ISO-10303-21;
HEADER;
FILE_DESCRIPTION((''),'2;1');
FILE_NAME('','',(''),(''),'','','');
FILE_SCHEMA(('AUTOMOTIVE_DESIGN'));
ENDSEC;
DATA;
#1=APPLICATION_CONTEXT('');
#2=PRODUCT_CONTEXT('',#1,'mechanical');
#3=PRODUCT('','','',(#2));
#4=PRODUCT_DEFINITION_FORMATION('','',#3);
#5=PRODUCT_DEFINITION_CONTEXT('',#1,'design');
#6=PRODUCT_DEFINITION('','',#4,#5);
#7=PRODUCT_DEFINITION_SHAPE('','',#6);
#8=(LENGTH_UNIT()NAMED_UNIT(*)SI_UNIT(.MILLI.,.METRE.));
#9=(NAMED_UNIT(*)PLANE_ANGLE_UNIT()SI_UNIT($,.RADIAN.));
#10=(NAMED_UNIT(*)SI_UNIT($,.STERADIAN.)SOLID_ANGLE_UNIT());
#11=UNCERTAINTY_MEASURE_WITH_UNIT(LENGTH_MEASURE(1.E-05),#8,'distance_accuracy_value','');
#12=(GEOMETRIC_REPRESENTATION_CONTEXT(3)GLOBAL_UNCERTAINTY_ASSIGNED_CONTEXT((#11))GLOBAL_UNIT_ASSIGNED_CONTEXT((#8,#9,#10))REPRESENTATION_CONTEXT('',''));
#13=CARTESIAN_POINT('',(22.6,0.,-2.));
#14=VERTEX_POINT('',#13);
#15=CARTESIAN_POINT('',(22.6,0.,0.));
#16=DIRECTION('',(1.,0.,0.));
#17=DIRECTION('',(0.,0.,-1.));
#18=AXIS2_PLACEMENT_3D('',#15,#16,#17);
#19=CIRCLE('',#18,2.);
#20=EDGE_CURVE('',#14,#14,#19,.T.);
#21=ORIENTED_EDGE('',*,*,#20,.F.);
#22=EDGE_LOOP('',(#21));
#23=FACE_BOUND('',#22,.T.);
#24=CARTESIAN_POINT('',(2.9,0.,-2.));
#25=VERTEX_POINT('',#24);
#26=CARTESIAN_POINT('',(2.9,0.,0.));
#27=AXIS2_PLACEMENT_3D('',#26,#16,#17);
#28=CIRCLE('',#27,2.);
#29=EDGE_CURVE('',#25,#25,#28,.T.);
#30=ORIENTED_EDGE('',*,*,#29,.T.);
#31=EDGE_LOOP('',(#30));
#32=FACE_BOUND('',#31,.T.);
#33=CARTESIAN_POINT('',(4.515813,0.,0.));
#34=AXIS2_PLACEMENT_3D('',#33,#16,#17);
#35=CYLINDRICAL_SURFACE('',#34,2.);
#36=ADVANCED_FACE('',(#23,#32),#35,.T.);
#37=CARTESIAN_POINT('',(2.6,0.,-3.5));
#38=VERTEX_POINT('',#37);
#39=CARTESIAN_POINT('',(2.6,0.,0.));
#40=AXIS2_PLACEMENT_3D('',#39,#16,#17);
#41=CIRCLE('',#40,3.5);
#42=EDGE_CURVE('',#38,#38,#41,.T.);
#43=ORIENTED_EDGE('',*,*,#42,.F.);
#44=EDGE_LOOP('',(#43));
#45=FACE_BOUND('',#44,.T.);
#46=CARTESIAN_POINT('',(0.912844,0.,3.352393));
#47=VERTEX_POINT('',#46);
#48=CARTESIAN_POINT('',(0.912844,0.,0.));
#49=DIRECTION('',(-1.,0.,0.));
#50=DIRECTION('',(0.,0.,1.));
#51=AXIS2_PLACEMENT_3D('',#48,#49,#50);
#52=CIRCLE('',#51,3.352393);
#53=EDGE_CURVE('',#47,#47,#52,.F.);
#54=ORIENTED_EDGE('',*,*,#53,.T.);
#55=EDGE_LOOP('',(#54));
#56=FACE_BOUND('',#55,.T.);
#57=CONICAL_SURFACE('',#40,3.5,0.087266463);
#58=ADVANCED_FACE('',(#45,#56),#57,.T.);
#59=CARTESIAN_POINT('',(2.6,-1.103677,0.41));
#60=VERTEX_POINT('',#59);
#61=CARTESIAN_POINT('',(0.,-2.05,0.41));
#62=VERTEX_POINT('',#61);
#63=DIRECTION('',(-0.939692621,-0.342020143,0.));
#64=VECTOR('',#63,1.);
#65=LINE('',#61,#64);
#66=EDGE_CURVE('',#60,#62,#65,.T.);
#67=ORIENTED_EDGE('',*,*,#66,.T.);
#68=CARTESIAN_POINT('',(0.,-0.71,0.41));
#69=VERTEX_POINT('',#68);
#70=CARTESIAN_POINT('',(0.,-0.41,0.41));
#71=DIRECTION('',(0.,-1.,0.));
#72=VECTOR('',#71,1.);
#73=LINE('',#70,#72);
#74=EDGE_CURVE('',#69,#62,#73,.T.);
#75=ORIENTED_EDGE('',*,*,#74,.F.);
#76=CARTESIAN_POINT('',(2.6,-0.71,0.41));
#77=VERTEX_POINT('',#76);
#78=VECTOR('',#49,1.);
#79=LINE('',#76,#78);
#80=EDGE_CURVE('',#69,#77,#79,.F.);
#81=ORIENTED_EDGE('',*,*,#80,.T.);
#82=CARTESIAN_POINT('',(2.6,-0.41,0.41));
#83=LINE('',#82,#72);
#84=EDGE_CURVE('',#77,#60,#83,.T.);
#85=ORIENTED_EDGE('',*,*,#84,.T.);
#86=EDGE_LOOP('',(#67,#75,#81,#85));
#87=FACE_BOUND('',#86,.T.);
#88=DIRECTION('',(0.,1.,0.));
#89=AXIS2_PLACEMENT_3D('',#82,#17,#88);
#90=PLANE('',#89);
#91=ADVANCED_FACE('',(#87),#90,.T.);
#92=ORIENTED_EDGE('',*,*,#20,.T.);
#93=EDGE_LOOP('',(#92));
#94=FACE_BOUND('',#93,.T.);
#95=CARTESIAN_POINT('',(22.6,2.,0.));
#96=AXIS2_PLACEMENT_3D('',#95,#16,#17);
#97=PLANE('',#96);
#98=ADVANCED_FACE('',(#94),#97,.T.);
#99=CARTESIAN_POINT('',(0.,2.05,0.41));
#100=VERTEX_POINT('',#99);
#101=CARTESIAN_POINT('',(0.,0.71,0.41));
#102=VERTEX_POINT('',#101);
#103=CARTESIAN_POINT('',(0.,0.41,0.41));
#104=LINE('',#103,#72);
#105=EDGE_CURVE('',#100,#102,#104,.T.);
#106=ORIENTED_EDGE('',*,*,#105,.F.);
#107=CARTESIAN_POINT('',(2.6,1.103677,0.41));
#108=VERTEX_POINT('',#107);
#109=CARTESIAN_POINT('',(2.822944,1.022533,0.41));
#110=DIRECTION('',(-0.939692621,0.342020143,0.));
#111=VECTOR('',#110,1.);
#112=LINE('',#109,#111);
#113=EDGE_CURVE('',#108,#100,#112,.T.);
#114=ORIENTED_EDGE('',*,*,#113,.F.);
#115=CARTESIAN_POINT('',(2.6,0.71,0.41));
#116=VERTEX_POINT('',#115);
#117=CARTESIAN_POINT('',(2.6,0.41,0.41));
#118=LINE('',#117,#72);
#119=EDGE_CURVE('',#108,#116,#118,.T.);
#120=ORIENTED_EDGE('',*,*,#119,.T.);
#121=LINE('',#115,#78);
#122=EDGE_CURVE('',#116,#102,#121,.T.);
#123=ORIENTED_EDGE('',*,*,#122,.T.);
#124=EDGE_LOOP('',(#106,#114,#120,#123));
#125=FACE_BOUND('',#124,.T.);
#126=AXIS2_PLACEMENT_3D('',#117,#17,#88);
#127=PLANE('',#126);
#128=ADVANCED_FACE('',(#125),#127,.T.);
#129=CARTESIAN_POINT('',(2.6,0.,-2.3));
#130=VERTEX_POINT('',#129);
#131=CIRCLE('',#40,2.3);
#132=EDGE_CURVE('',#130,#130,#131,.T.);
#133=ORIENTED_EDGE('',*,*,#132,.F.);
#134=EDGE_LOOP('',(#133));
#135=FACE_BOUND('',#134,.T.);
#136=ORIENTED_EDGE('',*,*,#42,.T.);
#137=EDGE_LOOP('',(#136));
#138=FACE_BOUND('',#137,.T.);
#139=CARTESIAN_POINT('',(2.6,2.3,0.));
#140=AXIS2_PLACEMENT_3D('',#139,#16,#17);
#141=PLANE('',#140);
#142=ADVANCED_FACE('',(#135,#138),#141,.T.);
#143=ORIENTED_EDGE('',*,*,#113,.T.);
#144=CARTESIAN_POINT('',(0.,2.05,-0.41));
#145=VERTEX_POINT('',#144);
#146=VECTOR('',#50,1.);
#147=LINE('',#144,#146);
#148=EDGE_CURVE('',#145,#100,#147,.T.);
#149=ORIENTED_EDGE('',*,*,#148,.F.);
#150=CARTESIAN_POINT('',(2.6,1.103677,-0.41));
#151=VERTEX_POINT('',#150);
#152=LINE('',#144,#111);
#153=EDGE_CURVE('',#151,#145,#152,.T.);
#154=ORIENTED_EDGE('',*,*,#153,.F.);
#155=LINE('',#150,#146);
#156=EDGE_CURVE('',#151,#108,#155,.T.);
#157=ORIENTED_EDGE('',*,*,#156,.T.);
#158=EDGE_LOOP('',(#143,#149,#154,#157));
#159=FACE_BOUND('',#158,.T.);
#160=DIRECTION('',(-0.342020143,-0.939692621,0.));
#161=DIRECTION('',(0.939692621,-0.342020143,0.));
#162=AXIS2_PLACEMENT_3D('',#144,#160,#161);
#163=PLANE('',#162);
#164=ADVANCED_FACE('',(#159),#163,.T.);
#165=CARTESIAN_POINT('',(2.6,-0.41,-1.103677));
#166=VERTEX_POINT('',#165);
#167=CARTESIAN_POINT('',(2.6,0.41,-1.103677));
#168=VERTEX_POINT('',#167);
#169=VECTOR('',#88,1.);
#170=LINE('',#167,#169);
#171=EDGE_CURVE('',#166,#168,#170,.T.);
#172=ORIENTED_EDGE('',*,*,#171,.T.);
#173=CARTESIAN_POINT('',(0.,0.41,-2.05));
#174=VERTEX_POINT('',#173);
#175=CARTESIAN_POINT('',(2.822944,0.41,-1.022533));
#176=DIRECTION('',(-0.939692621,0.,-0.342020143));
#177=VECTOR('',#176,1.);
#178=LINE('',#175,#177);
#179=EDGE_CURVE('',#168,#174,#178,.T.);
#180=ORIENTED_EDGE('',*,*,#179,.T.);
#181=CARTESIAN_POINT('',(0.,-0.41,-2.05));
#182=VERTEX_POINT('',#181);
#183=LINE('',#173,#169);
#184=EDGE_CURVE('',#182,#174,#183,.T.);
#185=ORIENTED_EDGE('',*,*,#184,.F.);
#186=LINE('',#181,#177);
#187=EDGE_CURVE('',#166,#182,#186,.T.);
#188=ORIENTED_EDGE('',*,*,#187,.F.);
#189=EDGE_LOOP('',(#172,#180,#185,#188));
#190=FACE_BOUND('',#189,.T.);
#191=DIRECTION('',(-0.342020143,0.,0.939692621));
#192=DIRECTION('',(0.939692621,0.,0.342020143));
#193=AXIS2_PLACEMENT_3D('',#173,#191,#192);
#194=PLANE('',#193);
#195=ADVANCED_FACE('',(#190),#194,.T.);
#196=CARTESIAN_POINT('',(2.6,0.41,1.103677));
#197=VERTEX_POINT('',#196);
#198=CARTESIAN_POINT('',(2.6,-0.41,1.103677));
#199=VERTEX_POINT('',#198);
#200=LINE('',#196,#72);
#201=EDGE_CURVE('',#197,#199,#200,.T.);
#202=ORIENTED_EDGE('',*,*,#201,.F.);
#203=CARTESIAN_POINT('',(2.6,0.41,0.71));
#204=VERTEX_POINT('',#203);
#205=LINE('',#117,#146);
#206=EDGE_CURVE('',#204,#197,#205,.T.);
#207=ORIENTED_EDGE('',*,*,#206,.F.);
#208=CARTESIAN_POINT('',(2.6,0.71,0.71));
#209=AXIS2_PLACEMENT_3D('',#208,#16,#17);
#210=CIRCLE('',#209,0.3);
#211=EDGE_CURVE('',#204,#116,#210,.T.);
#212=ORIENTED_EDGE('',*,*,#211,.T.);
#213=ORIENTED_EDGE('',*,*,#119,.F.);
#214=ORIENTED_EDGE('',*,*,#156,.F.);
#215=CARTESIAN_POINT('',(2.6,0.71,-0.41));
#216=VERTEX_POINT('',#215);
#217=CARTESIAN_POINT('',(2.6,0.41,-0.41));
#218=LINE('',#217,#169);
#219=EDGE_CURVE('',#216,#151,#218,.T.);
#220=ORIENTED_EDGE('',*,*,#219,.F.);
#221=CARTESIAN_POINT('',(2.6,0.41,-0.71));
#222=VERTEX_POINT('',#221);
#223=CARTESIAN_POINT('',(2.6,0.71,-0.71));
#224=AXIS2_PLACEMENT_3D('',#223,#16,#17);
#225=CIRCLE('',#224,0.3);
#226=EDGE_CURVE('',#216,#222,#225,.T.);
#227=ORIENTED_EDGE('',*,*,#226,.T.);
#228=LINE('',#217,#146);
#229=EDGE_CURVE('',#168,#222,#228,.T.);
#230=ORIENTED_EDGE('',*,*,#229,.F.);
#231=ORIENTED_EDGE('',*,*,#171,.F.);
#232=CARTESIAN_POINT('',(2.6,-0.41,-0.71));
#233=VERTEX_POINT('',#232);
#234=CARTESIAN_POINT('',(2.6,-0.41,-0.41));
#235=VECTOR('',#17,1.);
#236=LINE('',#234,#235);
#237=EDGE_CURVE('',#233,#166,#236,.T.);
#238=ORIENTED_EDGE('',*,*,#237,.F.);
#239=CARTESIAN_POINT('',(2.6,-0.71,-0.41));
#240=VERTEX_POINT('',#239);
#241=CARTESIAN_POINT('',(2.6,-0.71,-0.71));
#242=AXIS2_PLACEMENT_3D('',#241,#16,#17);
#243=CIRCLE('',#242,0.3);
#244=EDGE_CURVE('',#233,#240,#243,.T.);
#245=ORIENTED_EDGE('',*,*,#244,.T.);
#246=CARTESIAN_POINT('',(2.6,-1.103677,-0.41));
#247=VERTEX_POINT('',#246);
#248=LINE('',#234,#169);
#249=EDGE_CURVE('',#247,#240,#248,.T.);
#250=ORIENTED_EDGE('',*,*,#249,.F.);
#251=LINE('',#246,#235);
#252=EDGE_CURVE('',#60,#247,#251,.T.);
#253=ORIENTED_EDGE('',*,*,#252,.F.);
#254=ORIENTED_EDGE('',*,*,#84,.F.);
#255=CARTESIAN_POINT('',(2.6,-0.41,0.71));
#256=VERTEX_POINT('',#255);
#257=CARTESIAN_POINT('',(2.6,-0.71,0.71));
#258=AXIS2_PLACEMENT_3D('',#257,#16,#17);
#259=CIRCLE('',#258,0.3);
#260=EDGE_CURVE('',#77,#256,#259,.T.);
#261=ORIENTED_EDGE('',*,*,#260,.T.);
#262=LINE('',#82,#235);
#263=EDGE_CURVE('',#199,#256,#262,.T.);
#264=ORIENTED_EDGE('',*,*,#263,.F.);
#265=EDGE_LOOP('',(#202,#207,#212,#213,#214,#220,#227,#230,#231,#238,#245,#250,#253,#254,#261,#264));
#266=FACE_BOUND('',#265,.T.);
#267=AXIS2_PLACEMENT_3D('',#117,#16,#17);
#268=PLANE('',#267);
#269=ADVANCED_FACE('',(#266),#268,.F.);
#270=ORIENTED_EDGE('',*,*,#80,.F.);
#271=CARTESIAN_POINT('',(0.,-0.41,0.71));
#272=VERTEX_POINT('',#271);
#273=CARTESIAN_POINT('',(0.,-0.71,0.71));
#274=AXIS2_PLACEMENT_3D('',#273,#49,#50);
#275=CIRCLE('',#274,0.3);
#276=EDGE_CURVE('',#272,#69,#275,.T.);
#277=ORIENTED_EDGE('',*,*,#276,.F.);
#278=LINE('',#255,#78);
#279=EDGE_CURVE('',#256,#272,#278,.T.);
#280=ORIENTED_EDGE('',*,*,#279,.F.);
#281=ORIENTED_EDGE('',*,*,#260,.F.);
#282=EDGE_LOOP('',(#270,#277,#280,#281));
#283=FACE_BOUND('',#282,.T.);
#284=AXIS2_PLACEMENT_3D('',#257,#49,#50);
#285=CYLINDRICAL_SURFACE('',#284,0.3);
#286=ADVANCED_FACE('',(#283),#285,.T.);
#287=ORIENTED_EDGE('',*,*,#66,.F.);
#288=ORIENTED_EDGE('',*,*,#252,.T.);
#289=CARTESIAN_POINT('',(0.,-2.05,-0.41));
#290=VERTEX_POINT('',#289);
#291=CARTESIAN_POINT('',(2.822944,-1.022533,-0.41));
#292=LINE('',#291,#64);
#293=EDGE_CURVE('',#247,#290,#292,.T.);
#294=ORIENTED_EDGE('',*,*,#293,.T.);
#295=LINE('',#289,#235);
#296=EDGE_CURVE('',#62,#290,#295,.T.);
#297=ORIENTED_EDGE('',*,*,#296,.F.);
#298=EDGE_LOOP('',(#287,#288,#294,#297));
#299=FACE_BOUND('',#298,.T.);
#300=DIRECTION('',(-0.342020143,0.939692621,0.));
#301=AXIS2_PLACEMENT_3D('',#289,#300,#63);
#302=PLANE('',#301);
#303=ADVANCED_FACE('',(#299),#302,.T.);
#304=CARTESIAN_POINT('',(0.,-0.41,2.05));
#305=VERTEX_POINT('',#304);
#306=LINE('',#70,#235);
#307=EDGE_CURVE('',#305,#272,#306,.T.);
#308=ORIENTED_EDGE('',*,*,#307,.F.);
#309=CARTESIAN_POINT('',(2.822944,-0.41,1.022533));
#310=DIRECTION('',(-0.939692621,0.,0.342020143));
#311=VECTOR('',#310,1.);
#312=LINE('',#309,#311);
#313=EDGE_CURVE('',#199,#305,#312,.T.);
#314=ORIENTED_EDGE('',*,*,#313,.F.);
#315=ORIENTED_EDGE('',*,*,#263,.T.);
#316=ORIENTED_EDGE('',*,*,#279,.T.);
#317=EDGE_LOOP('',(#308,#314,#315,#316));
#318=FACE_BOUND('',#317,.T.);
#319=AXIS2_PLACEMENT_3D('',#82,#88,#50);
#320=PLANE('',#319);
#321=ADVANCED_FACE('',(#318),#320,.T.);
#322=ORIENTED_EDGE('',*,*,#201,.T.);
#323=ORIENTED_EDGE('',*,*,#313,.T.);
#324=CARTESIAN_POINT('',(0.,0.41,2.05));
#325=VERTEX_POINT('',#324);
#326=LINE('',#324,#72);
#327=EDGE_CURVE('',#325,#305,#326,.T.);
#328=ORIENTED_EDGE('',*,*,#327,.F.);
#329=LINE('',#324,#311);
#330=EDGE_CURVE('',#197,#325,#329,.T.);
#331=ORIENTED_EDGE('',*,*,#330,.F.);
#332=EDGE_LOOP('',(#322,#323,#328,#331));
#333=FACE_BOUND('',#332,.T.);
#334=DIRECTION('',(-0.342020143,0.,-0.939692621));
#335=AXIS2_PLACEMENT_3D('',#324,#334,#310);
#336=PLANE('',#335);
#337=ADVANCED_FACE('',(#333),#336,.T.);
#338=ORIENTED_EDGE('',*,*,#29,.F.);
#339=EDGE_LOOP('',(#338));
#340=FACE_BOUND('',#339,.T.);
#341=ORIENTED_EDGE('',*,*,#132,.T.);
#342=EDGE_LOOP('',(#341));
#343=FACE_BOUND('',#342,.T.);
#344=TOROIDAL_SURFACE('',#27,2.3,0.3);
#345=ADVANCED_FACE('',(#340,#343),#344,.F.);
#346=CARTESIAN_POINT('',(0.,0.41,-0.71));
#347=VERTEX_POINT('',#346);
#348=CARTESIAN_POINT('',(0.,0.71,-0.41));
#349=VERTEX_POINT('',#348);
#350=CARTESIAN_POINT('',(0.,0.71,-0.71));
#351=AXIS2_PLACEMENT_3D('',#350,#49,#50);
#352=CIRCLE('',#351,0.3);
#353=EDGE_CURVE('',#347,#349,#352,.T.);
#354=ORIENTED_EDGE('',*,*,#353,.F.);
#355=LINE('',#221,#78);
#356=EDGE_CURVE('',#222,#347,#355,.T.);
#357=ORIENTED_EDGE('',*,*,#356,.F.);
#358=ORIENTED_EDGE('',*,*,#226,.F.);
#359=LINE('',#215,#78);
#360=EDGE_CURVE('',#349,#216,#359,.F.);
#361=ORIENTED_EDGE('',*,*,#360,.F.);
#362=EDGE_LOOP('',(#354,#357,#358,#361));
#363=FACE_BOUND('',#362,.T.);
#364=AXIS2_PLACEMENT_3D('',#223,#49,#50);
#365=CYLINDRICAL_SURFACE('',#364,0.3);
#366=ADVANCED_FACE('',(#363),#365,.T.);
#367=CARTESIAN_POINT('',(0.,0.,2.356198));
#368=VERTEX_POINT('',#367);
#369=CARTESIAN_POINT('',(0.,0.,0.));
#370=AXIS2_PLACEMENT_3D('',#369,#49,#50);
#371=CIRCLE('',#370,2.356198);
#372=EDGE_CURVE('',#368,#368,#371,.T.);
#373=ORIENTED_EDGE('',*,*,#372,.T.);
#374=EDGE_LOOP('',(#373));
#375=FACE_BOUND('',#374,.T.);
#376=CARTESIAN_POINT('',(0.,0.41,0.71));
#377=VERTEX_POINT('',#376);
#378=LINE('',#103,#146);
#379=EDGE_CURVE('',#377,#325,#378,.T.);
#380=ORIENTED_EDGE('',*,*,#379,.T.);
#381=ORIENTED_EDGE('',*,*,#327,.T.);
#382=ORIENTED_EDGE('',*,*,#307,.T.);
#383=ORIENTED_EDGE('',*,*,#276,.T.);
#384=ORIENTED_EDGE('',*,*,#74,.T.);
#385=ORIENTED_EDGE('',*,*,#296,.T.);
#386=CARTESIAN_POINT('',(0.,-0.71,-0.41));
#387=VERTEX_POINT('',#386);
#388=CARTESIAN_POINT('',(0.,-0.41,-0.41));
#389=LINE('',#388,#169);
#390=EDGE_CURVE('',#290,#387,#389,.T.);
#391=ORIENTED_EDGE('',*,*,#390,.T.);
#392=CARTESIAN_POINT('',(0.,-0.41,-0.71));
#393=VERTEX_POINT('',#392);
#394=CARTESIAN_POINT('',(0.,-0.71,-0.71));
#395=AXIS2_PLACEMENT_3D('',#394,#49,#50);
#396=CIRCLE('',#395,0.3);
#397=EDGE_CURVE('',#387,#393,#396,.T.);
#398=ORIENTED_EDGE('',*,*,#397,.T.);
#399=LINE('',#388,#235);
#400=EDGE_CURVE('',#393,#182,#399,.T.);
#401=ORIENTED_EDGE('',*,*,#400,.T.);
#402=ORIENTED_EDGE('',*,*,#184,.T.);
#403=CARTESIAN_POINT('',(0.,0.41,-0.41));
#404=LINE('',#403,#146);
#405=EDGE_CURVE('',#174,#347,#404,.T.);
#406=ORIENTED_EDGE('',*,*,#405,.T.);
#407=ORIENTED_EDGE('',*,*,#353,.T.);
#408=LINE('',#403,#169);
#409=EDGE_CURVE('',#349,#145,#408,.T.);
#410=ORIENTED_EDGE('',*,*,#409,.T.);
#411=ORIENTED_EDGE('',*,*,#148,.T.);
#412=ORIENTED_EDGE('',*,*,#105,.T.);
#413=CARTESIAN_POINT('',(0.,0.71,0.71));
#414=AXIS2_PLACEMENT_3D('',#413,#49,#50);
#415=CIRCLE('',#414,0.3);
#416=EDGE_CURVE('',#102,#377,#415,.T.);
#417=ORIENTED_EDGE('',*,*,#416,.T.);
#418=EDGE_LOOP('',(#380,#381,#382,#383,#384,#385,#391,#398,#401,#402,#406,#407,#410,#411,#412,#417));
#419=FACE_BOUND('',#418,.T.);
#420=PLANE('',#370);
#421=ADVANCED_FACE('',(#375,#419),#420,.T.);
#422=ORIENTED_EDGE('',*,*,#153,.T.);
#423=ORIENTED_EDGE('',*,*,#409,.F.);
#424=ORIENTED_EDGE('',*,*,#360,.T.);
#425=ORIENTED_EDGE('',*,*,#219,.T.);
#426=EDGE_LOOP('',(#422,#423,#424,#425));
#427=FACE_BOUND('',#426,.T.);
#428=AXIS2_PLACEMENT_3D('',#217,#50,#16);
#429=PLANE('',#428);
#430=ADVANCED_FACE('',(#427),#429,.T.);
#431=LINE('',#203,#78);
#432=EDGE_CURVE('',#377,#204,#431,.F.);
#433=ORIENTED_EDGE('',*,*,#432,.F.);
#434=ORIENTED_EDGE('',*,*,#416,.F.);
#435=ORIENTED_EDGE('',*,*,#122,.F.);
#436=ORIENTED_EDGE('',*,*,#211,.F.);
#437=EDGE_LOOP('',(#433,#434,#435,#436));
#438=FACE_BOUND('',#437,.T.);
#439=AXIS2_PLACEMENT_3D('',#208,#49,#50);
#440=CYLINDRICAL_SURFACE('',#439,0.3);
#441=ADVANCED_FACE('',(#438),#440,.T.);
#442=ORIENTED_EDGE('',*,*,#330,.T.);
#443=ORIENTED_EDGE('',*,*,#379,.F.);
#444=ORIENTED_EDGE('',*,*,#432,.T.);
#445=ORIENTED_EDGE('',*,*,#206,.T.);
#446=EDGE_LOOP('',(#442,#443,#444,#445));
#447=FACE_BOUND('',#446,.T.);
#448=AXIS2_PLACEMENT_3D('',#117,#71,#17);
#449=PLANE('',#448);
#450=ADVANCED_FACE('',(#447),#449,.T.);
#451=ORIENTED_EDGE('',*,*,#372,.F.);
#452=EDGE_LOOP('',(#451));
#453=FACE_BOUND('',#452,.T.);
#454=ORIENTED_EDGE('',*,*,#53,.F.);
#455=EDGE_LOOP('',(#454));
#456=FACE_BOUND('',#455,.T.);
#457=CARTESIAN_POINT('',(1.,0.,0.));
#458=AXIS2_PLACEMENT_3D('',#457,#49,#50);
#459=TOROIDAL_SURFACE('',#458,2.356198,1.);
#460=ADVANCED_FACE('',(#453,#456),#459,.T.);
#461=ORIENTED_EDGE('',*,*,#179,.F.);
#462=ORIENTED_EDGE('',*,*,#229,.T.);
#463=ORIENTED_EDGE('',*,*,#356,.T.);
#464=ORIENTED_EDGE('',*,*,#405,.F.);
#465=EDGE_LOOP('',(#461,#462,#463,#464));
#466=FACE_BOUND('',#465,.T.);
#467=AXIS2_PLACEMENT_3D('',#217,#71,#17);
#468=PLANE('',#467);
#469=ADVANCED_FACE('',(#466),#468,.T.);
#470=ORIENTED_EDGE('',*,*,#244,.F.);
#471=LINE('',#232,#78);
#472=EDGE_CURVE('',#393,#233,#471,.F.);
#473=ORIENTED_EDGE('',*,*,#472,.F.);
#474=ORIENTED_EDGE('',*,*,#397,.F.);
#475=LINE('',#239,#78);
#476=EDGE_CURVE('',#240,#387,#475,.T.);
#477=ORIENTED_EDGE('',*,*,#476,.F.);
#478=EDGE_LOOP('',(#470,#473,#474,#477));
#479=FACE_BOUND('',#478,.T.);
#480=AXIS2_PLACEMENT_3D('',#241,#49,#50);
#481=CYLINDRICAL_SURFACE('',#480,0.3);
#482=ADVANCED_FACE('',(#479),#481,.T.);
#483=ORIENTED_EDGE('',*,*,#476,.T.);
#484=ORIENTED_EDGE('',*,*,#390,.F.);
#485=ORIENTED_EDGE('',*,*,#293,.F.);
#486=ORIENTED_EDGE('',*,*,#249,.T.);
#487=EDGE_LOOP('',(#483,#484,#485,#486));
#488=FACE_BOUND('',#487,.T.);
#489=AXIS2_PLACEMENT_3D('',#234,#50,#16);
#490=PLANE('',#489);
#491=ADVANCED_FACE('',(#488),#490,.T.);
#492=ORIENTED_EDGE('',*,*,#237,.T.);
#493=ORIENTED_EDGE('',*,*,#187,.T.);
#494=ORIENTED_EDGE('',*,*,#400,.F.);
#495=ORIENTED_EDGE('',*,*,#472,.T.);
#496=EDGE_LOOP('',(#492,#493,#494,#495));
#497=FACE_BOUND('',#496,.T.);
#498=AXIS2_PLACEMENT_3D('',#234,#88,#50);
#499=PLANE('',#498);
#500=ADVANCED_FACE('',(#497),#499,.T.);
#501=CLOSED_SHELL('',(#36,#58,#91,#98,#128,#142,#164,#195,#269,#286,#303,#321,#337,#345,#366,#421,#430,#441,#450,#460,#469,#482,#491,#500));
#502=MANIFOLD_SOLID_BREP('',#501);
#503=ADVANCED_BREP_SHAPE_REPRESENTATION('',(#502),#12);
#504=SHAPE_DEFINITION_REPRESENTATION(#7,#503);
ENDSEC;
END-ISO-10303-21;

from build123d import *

# Parameters (mm, degrees)
CROSSRECESS_DEPTH = 2.6
FILLET5_R         = 0.3
HEADFILLET_R      = 1
DRAFT1_ANGLE      = 20


with BuildPart() as part:
    # Sketch1 → Base (revolve)
    with BuildSketch(Plane.XY):
        with BuildLine():
            Line((22.6, 2), (4, 2))
            Line((4, 2), (2.9, 2))
            ThreePointArc((2.9, 2), (2.687867966, 2.087867966), (2.6, 2.3))
            Line((2.6, 2.3), (2.6, 3.5))
            Line((2.6, 3.5), (0, 3.272529475))
            Line((0, 3.272529475), (0, 0))
            Line((0, 0), (22.6, 0))
            Line((22.6, 0), (22.6, 2))
        make_face()
    revolve(axis=Axis((4.515812911, 0, 0), (-1, 0, 0)))

    # Sketch6 → CrossRecess (cut)
    with BuildSketch(Plane(origin=(0, 0, 0), x_dir=(0, 0, -1), z_dir=(1, 0, 0))):
        Polygon((0.41, 0.41), (0.41, 2.05), (-0.41, 2.05), (-0.41, 0.41), (-2.05, 0.41), (-2.05, -0.41), (-0.41, -0.41), (-0.41, -2.05), (0.41, -2.05), (0.41, -0.41), (2.05, -0.41), (2.05, 0.41), align=None)
    extrude(amount=CROSSRECESS_DEPTH, mode=Mode.SUBTRACT)

    # Fillet5
    fillet5_edges = [part.edges().sort_by_distance(p)[0] for p in [
        (1.3, 0.41, 0.41),
        (1.3, -0.41, 0.41),
        (1.3, -0.41, -0.41),
        (1.3, 0.41, -0.41),
    ]]
    fillet(fillet5_edges, radius=FILLET5_R)

    # HeadFillet
    headfillet_edges = [part.edges().sort_by_distance(p)[0] for p in [
        (0, -3.272529475, 0),
    ]]
    fillet(headfillet_edges, radius=HEADFILLET_R)

    # Draft1
    draft1_faces = [part.faces().sort_by_distance(p)[0] for p in [
        (1.3, 0, 2.05),
        (1.3, -2.05, 0),
        (1.3, 0, -2.05),
        (1.3, 2.05, 0),
    ]]
    draft(draft1_faces, Plane(origin=(0, 0, 0), x_dir=(0, 0, -1), z_dir=(-1, 0, 0)), DRAFT1_ANGLE)


solid = part.part
